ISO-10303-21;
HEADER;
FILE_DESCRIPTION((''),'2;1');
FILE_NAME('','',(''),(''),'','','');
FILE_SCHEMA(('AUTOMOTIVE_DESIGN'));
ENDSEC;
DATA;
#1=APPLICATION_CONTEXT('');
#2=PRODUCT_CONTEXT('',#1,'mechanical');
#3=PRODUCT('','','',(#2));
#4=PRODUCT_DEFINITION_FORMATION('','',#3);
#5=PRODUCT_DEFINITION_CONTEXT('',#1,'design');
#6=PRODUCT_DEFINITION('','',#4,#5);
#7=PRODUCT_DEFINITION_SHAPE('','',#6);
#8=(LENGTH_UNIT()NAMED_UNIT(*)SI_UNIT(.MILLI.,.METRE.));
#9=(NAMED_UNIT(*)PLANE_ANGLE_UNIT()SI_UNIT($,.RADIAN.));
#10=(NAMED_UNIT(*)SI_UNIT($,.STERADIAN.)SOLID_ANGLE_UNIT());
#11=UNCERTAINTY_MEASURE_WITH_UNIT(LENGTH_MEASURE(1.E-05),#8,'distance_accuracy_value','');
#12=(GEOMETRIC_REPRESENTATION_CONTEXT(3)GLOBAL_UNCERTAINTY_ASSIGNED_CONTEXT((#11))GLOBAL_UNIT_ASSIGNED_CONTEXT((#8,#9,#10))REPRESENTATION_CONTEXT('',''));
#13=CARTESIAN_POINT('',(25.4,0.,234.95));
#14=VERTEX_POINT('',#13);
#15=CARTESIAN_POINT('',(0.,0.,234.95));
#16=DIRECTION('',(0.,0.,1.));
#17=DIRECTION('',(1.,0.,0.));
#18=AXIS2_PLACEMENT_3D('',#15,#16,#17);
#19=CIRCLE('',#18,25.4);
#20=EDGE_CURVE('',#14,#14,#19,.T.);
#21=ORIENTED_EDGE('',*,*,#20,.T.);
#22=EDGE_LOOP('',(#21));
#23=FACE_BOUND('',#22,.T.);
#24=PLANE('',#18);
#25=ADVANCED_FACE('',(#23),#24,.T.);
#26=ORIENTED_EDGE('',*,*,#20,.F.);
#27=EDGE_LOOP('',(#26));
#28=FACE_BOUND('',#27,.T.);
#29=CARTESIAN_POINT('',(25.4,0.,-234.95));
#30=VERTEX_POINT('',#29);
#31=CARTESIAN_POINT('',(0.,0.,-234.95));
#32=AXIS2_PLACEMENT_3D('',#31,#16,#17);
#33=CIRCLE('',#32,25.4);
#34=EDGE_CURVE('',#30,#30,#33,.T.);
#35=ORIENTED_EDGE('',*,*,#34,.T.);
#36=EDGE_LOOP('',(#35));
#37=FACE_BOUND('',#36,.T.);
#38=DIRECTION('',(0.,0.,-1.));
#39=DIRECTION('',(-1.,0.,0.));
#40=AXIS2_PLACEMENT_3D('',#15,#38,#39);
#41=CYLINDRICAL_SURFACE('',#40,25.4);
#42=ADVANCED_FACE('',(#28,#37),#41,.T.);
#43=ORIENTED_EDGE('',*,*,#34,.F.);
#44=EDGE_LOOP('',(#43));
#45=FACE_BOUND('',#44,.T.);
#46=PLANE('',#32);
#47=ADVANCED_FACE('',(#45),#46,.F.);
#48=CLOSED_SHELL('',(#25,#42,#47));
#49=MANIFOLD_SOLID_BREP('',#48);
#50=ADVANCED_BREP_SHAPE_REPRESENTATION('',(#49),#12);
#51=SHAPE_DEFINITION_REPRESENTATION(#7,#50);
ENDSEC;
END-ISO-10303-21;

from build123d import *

# Parameters (mm, degrees)
SKETCH1_R           = 25.4
BOSS_EXTRUDE1_DEPTH = 234.95


with BuildPart() as part:
    # Sketch1 → Boss-Extrude1 (new body, symmetric)
    with BuildSketch(Plane.XY):
        Circle(SKETCH1_R)
    extrude(amount=BOSS_EXTRUDE1_DEPTH, both=True)


solid = part.part
